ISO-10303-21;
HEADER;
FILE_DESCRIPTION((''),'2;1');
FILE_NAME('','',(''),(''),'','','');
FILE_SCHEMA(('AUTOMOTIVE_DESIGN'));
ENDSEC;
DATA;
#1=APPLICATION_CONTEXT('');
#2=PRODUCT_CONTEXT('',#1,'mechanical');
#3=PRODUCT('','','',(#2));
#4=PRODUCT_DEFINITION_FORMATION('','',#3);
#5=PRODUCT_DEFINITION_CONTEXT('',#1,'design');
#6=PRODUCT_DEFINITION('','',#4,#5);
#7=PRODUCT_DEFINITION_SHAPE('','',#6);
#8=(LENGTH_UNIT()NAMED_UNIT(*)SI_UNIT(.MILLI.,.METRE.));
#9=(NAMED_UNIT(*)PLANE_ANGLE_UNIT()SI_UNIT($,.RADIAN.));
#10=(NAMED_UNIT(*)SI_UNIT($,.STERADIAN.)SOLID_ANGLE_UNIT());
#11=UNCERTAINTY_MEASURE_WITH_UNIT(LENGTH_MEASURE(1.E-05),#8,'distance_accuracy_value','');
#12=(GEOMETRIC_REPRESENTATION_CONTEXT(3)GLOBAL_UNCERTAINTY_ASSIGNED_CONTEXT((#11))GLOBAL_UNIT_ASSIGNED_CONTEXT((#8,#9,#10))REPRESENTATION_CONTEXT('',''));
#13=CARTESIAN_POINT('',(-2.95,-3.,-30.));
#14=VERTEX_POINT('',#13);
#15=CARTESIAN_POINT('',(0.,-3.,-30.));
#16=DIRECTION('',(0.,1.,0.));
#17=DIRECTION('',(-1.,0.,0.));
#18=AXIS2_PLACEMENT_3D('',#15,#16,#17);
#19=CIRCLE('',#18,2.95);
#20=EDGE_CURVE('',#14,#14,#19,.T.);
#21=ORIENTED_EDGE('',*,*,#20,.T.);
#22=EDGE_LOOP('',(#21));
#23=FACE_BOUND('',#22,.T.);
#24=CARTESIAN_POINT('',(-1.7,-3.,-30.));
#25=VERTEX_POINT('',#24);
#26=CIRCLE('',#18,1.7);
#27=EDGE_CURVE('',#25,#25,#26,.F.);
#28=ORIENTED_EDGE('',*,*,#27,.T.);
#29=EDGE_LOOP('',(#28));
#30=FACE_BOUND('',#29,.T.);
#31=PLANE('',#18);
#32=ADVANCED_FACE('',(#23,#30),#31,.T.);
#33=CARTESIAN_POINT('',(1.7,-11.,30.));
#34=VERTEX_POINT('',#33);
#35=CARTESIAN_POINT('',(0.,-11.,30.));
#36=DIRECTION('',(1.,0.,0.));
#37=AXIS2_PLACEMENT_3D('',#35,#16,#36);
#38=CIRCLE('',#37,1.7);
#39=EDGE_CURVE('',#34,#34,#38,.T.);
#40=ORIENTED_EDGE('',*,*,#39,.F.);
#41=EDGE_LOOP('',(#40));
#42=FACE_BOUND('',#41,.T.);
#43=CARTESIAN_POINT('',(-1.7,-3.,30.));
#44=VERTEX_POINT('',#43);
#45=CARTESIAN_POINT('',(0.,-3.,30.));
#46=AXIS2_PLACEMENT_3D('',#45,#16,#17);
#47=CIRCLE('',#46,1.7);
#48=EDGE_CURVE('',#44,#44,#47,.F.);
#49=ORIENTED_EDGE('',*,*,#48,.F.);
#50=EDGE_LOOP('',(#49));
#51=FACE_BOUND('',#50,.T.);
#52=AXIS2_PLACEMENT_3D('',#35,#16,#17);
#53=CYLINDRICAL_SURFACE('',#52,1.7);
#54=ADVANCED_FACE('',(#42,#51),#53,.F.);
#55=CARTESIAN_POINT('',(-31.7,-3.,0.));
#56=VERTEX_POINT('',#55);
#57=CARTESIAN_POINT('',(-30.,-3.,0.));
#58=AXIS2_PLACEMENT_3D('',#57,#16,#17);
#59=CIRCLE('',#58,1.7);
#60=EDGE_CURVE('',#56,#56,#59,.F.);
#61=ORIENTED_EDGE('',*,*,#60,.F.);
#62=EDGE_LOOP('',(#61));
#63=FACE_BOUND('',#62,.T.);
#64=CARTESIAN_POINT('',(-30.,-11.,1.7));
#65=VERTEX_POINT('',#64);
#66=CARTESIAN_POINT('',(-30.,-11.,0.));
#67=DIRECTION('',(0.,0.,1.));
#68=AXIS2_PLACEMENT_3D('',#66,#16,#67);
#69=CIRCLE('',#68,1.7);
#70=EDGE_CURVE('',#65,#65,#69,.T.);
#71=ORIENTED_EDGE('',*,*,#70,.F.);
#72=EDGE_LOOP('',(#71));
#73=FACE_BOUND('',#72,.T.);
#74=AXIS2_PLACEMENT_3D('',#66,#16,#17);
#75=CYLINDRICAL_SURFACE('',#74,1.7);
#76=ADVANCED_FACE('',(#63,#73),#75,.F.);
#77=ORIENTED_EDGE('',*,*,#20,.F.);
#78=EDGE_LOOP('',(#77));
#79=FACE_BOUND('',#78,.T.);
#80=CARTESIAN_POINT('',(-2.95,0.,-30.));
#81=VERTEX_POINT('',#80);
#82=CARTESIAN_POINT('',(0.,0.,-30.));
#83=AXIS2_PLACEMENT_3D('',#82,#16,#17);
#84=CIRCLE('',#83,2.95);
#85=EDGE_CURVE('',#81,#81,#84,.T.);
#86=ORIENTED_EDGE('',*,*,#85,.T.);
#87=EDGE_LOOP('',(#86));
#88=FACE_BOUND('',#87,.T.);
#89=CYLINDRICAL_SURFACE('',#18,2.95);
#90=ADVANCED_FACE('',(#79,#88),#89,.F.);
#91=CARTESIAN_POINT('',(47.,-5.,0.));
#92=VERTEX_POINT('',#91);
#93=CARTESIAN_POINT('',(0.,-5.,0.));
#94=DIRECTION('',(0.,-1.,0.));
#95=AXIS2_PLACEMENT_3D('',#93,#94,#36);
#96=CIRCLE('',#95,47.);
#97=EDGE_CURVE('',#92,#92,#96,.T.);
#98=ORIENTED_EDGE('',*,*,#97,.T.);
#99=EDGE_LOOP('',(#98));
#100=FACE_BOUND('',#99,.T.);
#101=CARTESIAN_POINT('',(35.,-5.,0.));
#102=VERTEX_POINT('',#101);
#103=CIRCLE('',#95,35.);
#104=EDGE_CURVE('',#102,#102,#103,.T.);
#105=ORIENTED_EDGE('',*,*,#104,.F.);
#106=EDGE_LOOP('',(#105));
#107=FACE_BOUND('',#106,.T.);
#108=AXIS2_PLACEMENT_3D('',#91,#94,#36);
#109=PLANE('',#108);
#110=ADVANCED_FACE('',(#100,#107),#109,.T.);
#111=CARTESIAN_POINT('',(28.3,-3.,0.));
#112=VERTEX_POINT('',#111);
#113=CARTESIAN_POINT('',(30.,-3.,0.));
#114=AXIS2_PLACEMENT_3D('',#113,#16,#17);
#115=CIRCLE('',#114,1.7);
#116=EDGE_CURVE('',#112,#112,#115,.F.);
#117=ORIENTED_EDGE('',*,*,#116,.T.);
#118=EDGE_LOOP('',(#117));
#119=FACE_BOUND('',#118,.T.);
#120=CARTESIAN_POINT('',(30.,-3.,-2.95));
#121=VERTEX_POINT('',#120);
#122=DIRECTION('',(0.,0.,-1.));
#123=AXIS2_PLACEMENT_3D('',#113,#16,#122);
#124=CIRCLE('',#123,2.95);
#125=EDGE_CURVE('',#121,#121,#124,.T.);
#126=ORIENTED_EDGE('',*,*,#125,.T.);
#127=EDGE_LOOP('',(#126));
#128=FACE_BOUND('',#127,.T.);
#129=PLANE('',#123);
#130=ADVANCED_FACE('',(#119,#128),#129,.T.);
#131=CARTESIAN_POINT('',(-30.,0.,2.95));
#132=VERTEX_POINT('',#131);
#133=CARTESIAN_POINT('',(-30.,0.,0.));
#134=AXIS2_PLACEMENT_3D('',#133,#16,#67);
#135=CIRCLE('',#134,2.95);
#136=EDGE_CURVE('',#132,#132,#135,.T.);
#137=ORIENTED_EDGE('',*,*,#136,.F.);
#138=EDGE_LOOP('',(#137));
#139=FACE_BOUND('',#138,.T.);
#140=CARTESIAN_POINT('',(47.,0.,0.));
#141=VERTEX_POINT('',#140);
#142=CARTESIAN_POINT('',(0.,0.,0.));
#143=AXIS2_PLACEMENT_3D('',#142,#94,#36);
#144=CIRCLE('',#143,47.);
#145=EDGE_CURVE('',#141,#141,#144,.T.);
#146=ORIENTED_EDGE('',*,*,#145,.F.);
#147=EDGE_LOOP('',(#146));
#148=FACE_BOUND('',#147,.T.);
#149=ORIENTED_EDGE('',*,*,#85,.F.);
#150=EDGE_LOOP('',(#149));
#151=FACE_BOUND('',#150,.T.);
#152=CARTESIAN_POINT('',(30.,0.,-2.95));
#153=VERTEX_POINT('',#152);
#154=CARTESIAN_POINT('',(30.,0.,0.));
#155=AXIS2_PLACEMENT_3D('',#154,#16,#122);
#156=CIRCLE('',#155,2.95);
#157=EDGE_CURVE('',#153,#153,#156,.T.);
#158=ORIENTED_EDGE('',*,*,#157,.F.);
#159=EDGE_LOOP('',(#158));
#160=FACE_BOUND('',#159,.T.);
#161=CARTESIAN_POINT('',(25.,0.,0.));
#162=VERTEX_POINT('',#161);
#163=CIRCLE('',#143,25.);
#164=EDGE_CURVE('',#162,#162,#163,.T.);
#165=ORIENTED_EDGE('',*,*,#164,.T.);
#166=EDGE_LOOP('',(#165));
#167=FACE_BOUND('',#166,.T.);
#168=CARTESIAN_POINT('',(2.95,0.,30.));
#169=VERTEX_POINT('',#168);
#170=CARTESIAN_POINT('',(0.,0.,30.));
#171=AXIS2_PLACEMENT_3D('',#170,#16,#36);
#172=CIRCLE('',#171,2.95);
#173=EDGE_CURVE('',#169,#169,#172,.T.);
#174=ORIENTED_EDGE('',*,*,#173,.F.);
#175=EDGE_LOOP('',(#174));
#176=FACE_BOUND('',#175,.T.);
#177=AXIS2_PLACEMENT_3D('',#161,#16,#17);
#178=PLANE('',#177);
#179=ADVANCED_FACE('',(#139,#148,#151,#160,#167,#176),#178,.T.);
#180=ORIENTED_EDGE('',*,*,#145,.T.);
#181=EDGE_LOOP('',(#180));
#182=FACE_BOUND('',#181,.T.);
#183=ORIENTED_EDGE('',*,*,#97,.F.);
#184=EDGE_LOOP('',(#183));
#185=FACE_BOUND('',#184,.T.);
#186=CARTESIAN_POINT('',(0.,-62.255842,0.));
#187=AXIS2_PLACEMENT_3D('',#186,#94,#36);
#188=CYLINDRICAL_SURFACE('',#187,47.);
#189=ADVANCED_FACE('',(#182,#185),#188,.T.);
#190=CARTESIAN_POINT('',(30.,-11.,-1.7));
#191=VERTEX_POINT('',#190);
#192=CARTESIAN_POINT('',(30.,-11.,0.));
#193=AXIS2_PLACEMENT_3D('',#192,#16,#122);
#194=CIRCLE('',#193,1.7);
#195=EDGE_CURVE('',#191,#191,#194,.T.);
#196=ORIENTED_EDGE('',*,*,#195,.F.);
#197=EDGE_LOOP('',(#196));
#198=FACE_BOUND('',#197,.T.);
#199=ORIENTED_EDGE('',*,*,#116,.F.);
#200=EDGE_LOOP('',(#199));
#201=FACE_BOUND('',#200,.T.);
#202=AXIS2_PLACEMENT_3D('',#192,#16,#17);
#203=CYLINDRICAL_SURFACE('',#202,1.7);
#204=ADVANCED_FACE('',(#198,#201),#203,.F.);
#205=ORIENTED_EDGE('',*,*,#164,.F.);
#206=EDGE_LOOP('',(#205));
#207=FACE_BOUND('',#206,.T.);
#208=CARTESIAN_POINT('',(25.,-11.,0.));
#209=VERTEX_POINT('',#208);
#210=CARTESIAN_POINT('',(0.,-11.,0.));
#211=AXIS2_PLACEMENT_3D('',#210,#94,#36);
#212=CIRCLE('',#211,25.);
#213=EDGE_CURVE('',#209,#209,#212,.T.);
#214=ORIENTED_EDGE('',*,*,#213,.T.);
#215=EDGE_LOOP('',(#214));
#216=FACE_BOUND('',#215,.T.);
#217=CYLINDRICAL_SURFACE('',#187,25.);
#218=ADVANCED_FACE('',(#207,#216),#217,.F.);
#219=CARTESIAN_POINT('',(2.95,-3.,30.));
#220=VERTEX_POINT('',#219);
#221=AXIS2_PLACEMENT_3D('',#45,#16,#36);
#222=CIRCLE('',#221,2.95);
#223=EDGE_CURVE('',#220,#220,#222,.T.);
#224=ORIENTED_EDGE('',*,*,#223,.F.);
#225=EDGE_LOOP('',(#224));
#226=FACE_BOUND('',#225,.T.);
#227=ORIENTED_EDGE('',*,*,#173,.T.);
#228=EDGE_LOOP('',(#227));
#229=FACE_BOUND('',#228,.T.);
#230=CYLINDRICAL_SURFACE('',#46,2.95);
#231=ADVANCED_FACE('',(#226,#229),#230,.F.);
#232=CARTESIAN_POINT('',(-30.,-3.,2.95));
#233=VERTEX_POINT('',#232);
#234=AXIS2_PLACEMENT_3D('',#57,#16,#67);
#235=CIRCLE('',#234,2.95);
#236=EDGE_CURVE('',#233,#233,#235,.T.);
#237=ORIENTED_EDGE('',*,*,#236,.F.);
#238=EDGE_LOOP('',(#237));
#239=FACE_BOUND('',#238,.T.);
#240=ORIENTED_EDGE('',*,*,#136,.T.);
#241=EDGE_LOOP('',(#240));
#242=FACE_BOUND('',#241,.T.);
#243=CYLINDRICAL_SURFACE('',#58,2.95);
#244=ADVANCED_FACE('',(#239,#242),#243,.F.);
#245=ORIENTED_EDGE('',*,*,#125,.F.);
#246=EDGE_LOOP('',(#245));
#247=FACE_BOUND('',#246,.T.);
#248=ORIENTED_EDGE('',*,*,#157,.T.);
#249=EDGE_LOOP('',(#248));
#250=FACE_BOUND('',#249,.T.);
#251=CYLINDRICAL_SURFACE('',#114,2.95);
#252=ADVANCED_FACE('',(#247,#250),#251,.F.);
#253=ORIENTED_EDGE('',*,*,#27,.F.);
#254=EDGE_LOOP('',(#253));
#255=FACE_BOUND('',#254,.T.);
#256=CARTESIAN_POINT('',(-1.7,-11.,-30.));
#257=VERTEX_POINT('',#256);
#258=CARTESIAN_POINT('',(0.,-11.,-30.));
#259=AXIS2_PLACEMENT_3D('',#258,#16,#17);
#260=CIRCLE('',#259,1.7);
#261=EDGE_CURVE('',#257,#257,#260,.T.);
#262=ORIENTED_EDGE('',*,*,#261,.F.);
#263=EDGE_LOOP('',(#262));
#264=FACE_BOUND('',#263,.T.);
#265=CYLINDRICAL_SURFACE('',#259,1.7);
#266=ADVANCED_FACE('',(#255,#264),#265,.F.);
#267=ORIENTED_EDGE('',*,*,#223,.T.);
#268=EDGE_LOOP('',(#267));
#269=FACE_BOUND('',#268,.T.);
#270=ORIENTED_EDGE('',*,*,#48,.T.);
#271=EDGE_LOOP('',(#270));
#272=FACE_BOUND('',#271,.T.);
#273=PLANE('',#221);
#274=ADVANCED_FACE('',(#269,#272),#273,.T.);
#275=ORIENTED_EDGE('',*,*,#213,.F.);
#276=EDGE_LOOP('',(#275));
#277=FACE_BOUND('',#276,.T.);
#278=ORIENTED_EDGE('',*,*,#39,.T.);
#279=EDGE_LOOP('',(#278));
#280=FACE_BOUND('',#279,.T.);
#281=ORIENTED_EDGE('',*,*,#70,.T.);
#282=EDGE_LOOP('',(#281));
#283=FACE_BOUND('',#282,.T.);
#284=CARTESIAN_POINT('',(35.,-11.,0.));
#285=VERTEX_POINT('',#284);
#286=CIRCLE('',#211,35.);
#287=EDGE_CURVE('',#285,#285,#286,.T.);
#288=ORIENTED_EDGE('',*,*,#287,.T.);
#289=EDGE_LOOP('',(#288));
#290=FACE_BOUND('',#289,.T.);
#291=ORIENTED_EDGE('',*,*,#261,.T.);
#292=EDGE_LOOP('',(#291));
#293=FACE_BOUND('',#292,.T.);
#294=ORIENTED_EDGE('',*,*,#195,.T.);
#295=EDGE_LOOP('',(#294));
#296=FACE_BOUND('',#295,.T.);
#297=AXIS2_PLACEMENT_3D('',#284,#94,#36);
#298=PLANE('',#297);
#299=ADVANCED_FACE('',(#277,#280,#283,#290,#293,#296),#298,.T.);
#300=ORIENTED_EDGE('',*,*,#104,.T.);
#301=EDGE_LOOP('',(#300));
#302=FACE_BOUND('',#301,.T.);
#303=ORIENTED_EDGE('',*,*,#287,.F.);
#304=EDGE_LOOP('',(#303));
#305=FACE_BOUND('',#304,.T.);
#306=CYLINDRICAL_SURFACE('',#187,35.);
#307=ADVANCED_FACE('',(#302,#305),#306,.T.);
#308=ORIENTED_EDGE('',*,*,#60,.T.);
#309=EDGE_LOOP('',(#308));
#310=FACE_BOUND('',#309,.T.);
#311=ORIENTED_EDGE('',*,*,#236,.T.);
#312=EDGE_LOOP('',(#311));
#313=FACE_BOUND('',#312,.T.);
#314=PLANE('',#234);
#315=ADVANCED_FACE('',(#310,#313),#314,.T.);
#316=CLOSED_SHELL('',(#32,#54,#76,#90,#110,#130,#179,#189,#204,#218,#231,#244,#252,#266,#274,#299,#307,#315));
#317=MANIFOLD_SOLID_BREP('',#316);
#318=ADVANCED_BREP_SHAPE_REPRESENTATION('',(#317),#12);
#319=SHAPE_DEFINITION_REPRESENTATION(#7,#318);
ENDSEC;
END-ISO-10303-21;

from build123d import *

# Parameters (mm, degrees)
SKETCH3_R          = 1.7
CUT_EXTRUDE1_DEPTH = 68.372101051
CIRPATTERN1_COUNT  = 4
SKETCH4_R          = 2.95
CUT_EXTRUDE2_DEPTH = 3
CIRPATTERN2_COUNT  = 4


with BuildPart() as part:
    # Sketch1 → Revolve1 (revolve)
    with BuildSketch(Plane.XY):
        Polygon((25, 0), (47, 0), (47, -5), (35, -5), (35, -11), (25, -11), align=None)
    revolve(axis=Axis((0, -62.255842479, 0), (0, 1, 0)))

    # Sketch3 → Cut-Extrude1 (cut, symmetric)
    with BuildSketch(Plane(origin=(0, 0, 0), x_dir=(1, 0, 0), z_dir=(0, 1, 0))):
        with Locations(Location((0, 30, 0), (0, 0, 180))):
            Circle(SKETCH3_R)
    cut_extrude1 = extrude(amount=CUT_EXTRUDE1_DEPTH, both=True, mode=Mode.SUBTRACT)

    # CirPattern1: Cut-Extrude1 ×4 about axis
    cirpattern1_axis = Axis((0, 0, 0), (0, 1, 0))
    for i in range(1, CIRPATTERN1_COUNT):
        add(cut_extrude1.rotate(cirpattern1_axis, i * 360 / CIRPATTERN1_COUNT), mode=Mode.SUBTRACT)

    # Sketch4 → Cut-Extrude2 (cut)
    with BuildSketch(Plane(origin=(0, 0, 0), x_dir=(1, 0, 0), z_dir=(0, 1, 0))):
        with Locations(Location((0, 30, 0), (0, 0, 180))):
            Circle(SKETCH4_R)
    cut_extrude2 = extrude(amount=-CUT_EXTRUDE2_DEPTH, mode=Mode.SUBTRACT)

    # CirPattern2: Cut-Extrude2 ×4 about axis
    cirpattern2_axis = Axis((0, 0, 0), (0, 1, 0))
    for i in range(1, CIRPATTERN2_COUNT):
        add(cut_extrude2.rotate(cirpattern2_axis, i * 360 / CIRPATTERN2_COUNT), mode=Mode.SUBTRACT)


solid = part.part
